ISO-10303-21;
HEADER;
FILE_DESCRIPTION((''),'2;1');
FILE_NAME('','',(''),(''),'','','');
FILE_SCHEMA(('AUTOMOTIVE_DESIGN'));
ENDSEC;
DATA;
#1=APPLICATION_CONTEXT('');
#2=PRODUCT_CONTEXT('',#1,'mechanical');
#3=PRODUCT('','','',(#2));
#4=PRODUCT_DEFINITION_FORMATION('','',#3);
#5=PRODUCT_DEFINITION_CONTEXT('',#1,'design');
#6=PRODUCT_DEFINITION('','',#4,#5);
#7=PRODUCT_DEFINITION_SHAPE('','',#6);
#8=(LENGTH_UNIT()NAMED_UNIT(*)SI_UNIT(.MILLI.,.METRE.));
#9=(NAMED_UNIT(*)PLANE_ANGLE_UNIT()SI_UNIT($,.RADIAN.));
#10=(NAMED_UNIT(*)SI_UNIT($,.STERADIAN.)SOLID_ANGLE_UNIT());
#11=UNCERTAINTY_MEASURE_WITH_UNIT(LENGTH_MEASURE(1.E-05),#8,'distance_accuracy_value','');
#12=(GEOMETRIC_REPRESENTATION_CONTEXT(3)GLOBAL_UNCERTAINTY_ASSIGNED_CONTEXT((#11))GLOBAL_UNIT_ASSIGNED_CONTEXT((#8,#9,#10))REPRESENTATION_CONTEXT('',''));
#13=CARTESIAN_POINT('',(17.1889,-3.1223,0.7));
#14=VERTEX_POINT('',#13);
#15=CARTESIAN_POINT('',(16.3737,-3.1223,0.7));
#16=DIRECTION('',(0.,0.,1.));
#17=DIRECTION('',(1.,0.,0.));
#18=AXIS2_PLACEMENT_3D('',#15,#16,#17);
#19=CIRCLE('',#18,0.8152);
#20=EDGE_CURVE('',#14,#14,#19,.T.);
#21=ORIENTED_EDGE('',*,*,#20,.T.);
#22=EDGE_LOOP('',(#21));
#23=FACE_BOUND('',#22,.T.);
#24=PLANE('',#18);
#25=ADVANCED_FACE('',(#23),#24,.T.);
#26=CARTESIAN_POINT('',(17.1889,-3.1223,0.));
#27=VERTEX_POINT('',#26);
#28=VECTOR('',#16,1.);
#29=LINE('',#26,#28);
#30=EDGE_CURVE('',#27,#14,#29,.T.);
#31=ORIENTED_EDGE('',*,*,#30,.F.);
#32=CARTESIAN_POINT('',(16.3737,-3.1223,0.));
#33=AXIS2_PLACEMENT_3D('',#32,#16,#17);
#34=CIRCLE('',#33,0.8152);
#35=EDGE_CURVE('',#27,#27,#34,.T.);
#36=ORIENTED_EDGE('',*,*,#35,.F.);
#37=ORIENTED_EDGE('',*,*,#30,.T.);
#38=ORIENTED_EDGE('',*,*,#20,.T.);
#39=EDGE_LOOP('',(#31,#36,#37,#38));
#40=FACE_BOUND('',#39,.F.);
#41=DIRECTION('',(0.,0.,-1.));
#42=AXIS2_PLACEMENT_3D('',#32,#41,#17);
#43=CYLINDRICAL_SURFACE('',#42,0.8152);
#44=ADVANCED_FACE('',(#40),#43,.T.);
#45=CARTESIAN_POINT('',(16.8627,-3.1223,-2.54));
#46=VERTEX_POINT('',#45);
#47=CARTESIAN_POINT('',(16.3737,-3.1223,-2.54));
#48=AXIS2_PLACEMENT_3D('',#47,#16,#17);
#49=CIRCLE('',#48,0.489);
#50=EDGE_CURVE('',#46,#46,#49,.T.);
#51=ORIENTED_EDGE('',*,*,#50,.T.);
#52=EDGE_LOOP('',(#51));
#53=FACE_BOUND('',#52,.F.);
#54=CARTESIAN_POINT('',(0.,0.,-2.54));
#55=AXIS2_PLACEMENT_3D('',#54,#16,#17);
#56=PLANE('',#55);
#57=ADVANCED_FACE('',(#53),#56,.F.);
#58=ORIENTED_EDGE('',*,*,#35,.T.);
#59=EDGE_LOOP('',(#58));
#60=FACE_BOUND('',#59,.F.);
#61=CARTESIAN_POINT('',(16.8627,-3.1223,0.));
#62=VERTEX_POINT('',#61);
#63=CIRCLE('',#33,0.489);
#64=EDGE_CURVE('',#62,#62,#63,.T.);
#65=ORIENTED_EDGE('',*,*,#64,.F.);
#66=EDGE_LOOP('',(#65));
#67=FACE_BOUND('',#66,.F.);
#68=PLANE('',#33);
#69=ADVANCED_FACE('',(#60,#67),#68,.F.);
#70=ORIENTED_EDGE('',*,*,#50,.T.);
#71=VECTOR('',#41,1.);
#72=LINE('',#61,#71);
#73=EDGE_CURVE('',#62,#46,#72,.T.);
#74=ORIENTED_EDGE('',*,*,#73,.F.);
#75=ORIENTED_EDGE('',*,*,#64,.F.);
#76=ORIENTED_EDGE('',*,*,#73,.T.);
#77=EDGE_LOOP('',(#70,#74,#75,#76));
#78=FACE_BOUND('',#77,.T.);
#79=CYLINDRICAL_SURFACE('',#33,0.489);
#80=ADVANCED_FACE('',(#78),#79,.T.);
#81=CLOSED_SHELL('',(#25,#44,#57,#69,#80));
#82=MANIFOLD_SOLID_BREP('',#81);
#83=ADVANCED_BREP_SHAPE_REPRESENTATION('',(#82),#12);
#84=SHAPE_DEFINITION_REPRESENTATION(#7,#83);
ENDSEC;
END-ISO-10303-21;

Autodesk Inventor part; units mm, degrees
ref_plane "YZ Plane" through (0, 0, 0) normal (1, 0, 0) x (0, 1, 0)
ref_plane "XZ Plane" through (0, 0, 0) normal (0, 1, 0) x (-1, 0, 0)
ref_plane "XY Plane" through (0, 0, 0) normal (0, 0, 1) x (1, 0, 0)
sketch "Sketch1" plane through (0, 0, 0) normal (0, 0, 1) x (1, 0, 0)
  circle A0 centre (16.3737, -3.1223) radius 0.489
  point P0 (0, 0)
extrude "Extrusion1" add sketch "Sketch1" against normal blind 2.54
sketch "Sketch2" plane through (16.3737, -3.1223, 0) normal (0, 0, 1) x (1, 0, 0)
  circle A0 centre (0, 0) radius 0.8152
  point P0 (-16.3737, 3.1223)
extrude "Extrusion2" add sketch "Sketch2" along normal blind 0.7
properties part number "bolt"
